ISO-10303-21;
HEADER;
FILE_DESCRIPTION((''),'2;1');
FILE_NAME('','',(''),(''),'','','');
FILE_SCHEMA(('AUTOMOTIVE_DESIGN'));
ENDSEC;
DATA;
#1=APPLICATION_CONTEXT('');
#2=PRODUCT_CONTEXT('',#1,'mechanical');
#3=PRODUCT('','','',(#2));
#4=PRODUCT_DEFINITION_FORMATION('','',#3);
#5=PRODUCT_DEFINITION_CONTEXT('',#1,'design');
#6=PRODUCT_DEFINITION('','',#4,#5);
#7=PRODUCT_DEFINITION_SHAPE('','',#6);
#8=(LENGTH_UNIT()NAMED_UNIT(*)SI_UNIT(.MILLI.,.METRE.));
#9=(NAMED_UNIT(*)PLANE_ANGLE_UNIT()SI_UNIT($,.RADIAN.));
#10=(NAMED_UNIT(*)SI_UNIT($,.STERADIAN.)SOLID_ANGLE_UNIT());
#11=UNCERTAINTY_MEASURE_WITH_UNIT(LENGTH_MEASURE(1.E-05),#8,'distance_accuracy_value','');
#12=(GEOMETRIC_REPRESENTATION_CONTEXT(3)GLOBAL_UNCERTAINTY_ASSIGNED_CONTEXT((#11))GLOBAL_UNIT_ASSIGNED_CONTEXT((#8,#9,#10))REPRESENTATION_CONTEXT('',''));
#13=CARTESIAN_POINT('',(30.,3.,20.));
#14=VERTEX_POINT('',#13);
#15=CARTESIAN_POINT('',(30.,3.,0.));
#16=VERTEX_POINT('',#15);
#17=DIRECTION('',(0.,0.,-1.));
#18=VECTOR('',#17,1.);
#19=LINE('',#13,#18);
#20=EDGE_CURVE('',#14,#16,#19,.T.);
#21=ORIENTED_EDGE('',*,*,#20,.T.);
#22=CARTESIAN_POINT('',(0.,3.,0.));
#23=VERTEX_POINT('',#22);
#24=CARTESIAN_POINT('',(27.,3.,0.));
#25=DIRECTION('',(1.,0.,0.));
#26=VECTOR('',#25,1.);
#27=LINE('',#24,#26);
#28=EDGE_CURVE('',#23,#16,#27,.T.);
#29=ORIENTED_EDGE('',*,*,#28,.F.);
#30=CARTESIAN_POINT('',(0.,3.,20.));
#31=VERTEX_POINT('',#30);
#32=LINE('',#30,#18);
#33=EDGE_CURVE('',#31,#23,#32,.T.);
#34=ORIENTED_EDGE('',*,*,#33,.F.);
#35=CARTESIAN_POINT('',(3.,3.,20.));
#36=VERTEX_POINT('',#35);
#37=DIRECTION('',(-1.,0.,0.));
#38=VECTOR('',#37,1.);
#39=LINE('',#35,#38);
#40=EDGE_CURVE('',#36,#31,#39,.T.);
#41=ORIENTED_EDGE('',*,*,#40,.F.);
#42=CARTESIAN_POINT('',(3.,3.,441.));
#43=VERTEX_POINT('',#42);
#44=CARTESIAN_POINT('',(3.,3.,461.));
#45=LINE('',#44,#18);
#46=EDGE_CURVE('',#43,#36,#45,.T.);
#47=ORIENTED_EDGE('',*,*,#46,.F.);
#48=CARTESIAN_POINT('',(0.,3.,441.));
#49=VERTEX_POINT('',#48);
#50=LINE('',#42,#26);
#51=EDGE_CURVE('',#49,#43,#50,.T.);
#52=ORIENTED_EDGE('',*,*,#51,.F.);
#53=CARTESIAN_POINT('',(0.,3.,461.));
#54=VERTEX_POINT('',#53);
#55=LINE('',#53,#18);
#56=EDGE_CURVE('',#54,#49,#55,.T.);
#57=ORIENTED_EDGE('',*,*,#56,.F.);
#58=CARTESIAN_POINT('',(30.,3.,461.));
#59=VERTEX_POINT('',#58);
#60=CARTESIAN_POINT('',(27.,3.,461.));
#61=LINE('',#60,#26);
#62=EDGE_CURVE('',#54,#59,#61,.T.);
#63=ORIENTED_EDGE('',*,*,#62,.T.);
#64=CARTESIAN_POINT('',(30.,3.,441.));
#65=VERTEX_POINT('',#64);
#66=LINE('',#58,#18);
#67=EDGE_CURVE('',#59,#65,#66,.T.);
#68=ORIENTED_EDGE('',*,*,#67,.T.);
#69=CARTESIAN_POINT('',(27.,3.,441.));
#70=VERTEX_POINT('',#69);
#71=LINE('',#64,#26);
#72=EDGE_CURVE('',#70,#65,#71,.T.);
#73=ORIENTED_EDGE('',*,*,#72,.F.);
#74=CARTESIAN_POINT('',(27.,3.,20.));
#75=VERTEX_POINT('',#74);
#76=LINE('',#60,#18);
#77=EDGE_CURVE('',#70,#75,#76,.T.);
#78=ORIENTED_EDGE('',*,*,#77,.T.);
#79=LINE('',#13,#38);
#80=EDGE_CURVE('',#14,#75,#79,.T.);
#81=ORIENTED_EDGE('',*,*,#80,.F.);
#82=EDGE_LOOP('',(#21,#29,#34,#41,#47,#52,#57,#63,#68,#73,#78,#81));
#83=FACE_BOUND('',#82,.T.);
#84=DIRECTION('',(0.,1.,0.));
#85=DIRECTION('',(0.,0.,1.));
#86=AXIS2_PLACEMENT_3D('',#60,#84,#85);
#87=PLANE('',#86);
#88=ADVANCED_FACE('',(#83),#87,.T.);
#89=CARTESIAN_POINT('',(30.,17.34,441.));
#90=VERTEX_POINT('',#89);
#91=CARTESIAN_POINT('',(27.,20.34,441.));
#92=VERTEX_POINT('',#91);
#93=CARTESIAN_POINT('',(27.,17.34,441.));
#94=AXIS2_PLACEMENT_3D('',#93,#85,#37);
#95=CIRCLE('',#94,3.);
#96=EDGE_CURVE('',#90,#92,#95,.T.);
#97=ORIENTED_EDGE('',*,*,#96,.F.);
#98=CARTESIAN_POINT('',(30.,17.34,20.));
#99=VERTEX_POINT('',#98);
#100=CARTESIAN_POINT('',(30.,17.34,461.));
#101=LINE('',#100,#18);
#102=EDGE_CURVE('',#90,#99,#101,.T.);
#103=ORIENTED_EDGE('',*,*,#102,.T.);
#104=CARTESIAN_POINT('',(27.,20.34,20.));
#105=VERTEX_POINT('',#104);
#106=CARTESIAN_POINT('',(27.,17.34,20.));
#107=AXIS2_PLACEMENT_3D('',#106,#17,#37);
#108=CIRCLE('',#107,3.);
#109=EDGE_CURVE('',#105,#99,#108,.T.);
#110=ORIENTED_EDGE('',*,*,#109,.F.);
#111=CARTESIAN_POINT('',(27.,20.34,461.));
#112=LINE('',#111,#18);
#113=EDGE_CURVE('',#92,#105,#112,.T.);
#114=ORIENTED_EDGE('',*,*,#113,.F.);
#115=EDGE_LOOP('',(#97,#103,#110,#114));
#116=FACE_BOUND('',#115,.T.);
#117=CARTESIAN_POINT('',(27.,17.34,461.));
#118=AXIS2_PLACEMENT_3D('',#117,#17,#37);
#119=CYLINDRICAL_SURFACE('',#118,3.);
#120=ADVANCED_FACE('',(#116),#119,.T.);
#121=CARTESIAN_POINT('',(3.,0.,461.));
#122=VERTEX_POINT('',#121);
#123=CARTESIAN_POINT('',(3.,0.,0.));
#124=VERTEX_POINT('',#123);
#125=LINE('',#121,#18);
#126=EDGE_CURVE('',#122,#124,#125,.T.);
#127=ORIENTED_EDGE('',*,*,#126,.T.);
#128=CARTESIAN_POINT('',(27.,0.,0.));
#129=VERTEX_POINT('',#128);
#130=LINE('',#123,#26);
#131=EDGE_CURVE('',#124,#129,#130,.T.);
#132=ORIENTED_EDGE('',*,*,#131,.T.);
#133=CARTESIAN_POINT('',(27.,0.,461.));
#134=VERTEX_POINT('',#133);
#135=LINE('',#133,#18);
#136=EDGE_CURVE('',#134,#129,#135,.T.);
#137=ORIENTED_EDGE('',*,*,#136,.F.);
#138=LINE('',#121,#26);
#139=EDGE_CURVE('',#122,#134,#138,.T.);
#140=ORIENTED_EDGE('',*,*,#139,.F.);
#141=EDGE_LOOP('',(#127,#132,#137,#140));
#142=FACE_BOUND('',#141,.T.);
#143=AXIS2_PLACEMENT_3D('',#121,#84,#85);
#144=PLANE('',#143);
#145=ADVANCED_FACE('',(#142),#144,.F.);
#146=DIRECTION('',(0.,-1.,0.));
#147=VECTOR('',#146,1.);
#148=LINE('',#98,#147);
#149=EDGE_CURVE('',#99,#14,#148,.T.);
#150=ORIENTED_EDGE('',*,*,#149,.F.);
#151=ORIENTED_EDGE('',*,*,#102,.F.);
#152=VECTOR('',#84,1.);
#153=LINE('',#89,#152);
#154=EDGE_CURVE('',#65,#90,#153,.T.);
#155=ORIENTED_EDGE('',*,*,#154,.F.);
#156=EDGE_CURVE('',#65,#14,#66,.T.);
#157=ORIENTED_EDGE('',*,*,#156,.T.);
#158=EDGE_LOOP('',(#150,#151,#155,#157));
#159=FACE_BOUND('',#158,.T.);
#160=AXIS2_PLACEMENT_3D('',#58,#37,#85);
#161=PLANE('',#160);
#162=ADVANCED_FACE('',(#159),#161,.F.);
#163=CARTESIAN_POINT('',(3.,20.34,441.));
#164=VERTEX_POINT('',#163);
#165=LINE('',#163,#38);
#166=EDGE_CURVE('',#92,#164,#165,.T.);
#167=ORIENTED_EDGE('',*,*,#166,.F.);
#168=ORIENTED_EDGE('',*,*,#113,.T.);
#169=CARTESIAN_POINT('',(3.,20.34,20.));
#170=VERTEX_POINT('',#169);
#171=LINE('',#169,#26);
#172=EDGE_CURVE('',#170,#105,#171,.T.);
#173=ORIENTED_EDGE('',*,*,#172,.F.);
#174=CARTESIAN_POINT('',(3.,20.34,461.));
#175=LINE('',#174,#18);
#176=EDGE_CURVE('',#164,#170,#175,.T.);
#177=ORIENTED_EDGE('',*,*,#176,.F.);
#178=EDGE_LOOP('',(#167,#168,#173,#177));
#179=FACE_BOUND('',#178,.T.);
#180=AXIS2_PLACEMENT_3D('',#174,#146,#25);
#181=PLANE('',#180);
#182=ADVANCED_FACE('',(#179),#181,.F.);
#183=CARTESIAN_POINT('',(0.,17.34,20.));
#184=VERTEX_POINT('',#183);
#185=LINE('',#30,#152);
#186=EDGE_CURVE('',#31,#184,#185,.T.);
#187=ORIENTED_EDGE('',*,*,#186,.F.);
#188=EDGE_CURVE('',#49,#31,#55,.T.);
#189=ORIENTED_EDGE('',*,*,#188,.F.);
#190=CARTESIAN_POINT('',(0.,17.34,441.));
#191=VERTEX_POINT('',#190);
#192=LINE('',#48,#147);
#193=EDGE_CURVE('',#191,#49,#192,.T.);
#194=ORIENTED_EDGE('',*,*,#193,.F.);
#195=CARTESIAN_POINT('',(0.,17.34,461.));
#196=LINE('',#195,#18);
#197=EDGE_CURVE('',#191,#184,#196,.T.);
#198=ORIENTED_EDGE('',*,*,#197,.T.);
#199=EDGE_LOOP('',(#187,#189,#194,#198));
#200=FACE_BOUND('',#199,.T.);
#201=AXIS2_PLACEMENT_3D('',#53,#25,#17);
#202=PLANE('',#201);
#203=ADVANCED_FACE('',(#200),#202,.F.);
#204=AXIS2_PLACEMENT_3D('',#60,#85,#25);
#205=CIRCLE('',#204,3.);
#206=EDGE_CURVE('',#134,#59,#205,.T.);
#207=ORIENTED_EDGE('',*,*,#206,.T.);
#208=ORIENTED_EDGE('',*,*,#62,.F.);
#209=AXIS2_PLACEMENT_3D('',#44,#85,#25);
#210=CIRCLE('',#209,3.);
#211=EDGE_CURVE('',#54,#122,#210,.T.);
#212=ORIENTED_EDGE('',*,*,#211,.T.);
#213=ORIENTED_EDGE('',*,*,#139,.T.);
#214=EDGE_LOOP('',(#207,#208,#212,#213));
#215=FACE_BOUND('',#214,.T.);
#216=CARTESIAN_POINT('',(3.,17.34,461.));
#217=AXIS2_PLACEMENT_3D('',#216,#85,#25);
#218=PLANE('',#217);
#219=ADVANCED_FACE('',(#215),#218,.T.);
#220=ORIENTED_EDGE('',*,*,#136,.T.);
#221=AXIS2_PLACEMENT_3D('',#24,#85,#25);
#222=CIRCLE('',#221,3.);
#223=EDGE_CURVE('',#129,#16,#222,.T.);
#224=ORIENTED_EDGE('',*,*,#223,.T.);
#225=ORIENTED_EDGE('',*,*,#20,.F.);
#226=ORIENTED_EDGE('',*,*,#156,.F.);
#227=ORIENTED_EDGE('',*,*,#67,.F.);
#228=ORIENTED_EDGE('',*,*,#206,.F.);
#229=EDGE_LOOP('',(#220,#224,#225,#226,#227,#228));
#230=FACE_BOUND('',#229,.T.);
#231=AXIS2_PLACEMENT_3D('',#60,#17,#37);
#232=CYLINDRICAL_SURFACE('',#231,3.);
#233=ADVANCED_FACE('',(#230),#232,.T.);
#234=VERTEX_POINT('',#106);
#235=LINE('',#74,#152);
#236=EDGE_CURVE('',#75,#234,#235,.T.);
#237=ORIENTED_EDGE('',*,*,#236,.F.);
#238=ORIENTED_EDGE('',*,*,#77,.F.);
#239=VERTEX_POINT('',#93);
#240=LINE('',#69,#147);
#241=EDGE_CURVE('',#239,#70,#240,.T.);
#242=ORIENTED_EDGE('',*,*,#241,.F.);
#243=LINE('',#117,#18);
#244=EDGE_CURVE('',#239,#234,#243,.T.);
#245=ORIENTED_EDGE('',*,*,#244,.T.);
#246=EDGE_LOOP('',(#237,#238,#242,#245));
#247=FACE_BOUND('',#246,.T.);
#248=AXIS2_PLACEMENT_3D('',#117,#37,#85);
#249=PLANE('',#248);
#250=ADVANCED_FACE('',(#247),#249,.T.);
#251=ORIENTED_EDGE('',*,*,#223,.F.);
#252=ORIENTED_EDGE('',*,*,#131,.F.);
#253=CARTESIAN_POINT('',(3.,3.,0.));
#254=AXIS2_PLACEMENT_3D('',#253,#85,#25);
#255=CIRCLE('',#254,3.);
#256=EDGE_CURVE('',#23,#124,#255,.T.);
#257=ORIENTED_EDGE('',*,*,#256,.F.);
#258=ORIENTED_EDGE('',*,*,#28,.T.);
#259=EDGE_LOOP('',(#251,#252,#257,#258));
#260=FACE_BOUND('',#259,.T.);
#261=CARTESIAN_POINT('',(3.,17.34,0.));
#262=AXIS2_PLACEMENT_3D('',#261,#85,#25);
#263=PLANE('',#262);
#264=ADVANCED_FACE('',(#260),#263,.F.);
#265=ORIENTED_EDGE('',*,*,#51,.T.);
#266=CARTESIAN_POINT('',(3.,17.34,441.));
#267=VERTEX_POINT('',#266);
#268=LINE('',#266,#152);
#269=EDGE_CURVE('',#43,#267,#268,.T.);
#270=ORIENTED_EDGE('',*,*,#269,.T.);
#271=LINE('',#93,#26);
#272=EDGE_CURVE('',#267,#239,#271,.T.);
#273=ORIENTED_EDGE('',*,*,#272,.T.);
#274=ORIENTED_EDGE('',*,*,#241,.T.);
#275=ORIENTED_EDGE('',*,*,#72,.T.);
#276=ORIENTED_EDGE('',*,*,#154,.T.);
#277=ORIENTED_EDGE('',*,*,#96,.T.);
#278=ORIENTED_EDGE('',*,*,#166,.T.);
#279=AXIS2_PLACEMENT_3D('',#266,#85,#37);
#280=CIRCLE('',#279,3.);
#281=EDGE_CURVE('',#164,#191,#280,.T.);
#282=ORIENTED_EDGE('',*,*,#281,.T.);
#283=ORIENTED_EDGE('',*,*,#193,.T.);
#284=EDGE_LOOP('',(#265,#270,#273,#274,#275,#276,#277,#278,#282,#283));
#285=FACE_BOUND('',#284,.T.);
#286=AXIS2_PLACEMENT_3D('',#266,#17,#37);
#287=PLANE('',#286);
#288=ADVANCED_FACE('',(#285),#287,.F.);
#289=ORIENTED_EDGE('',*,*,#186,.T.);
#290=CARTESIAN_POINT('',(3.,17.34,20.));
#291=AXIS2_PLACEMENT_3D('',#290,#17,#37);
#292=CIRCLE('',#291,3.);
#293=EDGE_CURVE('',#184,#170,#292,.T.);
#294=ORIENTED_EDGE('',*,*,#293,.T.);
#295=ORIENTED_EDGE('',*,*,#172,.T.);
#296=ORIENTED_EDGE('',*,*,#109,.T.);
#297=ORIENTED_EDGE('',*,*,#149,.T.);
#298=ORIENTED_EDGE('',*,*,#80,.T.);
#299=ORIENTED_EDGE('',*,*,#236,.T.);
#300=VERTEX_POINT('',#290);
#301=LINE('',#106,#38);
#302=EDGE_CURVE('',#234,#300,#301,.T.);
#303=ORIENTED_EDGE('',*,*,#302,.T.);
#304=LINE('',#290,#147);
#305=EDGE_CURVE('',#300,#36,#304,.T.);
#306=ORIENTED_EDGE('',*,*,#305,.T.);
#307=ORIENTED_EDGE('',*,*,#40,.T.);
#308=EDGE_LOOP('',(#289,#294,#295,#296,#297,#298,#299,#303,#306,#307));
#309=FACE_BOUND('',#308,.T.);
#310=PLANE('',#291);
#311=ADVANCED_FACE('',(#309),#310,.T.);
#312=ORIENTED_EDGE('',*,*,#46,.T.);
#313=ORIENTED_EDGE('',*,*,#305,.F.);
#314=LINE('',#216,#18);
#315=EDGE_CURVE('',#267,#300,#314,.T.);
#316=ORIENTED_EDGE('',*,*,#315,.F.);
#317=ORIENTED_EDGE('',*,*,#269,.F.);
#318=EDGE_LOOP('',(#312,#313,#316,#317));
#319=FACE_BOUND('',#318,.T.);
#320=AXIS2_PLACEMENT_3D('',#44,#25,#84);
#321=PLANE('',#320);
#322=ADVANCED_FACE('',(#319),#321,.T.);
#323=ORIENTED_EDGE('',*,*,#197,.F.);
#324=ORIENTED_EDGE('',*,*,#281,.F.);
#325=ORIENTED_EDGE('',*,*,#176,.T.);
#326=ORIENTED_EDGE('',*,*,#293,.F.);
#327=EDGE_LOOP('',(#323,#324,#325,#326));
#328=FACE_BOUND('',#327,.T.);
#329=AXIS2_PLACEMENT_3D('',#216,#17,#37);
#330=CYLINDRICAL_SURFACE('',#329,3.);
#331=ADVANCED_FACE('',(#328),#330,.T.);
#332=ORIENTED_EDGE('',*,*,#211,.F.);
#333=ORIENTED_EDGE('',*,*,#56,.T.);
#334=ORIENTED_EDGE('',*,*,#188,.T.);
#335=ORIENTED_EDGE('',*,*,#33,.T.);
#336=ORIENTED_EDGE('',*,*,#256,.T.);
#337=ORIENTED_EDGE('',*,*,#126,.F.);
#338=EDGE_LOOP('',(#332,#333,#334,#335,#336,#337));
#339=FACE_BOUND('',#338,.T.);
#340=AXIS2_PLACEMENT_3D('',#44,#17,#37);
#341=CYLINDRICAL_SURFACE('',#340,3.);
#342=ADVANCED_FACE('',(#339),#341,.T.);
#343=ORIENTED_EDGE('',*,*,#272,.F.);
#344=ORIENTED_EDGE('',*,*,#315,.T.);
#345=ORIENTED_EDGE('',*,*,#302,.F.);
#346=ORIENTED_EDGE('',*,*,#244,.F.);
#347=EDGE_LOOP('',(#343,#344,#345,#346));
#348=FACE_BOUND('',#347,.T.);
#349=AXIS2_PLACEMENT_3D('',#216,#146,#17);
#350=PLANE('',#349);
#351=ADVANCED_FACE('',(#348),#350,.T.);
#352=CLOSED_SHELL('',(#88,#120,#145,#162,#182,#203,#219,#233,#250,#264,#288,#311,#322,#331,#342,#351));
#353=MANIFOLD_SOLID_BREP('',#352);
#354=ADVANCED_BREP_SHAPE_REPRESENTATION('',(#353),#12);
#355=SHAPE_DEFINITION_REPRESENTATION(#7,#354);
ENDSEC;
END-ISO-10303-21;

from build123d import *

# Parameters (mm, degrees)
SKETCH1_W           = 24
SKETCH1_H           = 14.34
BOSS_EXTRUDE1_DEPTH = 461
CUT_EXTRUDE1_START  = -20
CUT_EXTRUDE1_DEPTH  = 20
CUT_EXTRUDE2_DEPTH  = 20


with BuildPart() as part:
    # Sketch1 → Boss-Extrude1 (new body)
    with BuildSketch(Plane.XY):
        with BuildLine():
            Line((3, 0), (27, 0))
            ThreePointArc((27, 0), (29.121320344, 0.878679656), (30, 3))
            Line((30, 3), (30, 17.34))
            ThreePointArc((30, 17.34), (29.121320344, 19.461320344), (27, 20.34))
            Line((27, 20.34), (3, 20.34))
            ThreePointArc((3, 20.34), (0.878679656, 19.461320344), (0, 17.34))
            Line((0, 17.34), (0, 3))
            ThreePointArc((0, 3), (0.878679656, 0.878679656), (3, 0))
        make_face()
        with Locations((15, 10.17)):
            Rectangle(SKETCH1_W, SKETCH1_H, mode=Mode.SUBTRACT)
    extrude(amount=BOSS_EXTRUDE1_DEPTH)

    # Sketch2 → Cut-Extrude1 (cut)
    with BuildSketch(Plane.XY.offset(461).offset(CUT_EXTRUDE1_START)):
        with BuildLine():
            Line((3, 3), (0, 3))
            Line((0, 3), (0, 17.34))
            ThreePointArc((0, 17.34), (0.878679656, 19.461320344), (3, 20.34))
            Line((3, 20.34), (27, 20.34))
            ThreePointArc((27, 20.34), (29.121320344, 19.461320344), (30, 17.34))
            Line((30, 17.34), (30, 3))
            Line((30, 3), (27, 3))
            Line((27, 3), (27, 17.34))
            Line((27, 17.34), (3, 17.34))
            Line((3, 17.34), (3, 3))
        make_face()
    extrude(amount=CUT_EXTRUDE1_DEPTH, mode=Mode.SUBTRACT)

    # Sketch3 → Cut-Extrude2 (cut)
    with BuildSketch(Plane(origin=(0, 0, 0), x_dir=(-1, 0, 0), z_dir=(0, 0, -1))):
        with BuildLine():
            Line((-27, 3), (-27, 17.34))
            Line((-27, 17.34), (-3, 17.34))
            Line((-3, 17.34), (-3, 3))
            Line((-3, 3), (0, 3))
            Line((0, 3), (0, 17.34))
            ThreePointArc((0, 17.34), (-0.878679656, 19.461320344), (-3, 20.34))
            Line((-3, 20.34), (-27, 20.34))
            ThreePointArc((-27, 20.34), (-29.121320344, 19.461320344), (-30, 17.34))
            Line((-30, 17.34), (-30, 3))
            Line((-30, 3), (-27, 3))
        make_face()
    extrude(amount=-CUT_EXTRUDE2_DEPTH, mode=Mode.SUBTRACT)


solid = part.part
